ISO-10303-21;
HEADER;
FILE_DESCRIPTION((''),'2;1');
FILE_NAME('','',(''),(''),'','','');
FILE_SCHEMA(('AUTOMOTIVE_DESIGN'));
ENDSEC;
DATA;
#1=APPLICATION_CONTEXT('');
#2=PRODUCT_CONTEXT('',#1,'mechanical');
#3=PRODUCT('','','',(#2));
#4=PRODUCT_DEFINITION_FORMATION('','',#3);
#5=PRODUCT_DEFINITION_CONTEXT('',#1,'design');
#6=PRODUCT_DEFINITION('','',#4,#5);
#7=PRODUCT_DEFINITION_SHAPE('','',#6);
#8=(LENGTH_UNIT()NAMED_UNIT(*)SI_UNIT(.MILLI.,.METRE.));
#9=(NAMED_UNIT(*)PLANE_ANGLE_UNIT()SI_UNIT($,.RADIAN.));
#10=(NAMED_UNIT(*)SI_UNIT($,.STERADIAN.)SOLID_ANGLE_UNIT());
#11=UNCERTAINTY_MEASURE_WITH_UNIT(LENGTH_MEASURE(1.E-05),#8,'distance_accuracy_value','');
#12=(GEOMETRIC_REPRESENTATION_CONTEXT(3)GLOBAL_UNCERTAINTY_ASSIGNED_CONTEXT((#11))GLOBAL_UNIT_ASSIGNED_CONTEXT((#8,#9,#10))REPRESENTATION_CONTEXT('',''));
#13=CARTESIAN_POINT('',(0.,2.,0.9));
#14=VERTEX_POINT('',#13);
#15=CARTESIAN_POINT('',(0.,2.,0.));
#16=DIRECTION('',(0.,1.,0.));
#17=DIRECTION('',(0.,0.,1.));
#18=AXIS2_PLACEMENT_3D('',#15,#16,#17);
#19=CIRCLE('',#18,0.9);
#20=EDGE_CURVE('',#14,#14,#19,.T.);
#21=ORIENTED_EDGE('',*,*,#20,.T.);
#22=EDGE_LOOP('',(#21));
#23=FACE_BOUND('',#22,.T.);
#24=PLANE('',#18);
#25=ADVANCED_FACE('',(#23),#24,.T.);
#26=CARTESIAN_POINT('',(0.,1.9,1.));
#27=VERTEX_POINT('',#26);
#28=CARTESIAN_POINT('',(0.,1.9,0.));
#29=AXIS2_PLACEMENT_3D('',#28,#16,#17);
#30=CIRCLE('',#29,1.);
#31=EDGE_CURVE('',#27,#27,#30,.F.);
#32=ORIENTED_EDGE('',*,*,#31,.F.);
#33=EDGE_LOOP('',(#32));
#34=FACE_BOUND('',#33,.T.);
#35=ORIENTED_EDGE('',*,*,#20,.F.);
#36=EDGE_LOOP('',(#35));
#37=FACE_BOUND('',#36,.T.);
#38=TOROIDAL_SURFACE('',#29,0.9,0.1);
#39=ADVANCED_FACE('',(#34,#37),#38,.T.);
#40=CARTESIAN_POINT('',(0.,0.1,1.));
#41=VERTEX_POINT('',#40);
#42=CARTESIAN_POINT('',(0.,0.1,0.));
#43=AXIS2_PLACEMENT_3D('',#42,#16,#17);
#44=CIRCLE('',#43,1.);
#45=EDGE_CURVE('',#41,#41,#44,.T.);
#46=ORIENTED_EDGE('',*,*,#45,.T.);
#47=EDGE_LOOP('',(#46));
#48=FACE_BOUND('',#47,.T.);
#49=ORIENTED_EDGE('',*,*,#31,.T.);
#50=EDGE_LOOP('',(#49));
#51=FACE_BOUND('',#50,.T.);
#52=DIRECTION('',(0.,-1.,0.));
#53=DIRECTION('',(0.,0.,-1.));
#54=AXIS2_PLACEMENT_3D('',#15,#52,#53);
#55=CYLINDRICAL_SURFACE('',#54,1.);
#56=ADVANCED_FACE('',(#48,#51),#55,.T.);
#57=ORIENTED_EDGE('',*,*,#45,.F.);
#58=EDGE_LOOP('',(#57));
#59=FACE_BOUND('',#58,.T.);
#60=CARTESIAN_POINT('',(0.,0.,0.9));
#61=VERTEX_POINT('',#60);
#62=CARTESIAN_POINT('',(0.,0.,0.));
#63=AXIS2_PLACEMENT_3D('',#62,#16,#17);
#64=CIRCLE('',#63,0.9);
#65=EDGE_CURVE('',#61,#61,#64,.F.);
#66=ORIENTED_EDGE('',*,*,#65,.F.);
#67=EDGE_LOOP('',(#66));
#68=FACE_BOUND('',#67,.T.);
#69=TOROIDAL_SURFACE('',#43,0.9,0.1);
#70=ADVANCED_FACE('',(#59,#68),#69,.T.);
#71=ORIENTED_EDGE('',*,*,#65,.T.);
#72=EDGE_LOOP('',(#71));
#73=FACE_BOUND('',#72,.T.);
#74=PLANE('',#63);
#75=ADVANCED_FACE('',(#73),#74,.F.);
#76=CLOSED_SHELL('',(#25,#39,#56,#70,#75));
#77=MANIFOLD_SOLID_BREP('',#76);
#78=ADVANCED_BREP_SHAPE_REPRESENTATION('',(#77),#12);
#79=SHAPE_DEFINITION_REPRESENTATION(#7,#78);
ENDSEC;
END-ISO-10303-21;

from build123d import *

# Parameters (mm, degrees)
SKETCH1_R           = 1
BOSS_EXTRUDE1_DEPTH = 2
FILLET1_R           = 0.1


with BuildPart() as part:
    # Sketch1 → Boss-Extrude1 (new body)
    with BuildSketch(Plane(origin=(0, 0, 0), x_dir=(1, 0, 0), z_dir=(0, 1, 0))):
        with Locations(Location((0, 0, 0), (0, 0, 270))):
            Circle(SKETCH1_R)
    extrude(amount=BOSS_EXTRUDE1_DEPTH)

    # Fillet1
    fillet1_edges = [part.edges().sort_by_distance(p)[0] for p in [
        (0, 0, -1),
        (0, 2, -1),
    ]]
    fillet(fillet1_edges, radius=FILLET1_R)


solid = part.part
